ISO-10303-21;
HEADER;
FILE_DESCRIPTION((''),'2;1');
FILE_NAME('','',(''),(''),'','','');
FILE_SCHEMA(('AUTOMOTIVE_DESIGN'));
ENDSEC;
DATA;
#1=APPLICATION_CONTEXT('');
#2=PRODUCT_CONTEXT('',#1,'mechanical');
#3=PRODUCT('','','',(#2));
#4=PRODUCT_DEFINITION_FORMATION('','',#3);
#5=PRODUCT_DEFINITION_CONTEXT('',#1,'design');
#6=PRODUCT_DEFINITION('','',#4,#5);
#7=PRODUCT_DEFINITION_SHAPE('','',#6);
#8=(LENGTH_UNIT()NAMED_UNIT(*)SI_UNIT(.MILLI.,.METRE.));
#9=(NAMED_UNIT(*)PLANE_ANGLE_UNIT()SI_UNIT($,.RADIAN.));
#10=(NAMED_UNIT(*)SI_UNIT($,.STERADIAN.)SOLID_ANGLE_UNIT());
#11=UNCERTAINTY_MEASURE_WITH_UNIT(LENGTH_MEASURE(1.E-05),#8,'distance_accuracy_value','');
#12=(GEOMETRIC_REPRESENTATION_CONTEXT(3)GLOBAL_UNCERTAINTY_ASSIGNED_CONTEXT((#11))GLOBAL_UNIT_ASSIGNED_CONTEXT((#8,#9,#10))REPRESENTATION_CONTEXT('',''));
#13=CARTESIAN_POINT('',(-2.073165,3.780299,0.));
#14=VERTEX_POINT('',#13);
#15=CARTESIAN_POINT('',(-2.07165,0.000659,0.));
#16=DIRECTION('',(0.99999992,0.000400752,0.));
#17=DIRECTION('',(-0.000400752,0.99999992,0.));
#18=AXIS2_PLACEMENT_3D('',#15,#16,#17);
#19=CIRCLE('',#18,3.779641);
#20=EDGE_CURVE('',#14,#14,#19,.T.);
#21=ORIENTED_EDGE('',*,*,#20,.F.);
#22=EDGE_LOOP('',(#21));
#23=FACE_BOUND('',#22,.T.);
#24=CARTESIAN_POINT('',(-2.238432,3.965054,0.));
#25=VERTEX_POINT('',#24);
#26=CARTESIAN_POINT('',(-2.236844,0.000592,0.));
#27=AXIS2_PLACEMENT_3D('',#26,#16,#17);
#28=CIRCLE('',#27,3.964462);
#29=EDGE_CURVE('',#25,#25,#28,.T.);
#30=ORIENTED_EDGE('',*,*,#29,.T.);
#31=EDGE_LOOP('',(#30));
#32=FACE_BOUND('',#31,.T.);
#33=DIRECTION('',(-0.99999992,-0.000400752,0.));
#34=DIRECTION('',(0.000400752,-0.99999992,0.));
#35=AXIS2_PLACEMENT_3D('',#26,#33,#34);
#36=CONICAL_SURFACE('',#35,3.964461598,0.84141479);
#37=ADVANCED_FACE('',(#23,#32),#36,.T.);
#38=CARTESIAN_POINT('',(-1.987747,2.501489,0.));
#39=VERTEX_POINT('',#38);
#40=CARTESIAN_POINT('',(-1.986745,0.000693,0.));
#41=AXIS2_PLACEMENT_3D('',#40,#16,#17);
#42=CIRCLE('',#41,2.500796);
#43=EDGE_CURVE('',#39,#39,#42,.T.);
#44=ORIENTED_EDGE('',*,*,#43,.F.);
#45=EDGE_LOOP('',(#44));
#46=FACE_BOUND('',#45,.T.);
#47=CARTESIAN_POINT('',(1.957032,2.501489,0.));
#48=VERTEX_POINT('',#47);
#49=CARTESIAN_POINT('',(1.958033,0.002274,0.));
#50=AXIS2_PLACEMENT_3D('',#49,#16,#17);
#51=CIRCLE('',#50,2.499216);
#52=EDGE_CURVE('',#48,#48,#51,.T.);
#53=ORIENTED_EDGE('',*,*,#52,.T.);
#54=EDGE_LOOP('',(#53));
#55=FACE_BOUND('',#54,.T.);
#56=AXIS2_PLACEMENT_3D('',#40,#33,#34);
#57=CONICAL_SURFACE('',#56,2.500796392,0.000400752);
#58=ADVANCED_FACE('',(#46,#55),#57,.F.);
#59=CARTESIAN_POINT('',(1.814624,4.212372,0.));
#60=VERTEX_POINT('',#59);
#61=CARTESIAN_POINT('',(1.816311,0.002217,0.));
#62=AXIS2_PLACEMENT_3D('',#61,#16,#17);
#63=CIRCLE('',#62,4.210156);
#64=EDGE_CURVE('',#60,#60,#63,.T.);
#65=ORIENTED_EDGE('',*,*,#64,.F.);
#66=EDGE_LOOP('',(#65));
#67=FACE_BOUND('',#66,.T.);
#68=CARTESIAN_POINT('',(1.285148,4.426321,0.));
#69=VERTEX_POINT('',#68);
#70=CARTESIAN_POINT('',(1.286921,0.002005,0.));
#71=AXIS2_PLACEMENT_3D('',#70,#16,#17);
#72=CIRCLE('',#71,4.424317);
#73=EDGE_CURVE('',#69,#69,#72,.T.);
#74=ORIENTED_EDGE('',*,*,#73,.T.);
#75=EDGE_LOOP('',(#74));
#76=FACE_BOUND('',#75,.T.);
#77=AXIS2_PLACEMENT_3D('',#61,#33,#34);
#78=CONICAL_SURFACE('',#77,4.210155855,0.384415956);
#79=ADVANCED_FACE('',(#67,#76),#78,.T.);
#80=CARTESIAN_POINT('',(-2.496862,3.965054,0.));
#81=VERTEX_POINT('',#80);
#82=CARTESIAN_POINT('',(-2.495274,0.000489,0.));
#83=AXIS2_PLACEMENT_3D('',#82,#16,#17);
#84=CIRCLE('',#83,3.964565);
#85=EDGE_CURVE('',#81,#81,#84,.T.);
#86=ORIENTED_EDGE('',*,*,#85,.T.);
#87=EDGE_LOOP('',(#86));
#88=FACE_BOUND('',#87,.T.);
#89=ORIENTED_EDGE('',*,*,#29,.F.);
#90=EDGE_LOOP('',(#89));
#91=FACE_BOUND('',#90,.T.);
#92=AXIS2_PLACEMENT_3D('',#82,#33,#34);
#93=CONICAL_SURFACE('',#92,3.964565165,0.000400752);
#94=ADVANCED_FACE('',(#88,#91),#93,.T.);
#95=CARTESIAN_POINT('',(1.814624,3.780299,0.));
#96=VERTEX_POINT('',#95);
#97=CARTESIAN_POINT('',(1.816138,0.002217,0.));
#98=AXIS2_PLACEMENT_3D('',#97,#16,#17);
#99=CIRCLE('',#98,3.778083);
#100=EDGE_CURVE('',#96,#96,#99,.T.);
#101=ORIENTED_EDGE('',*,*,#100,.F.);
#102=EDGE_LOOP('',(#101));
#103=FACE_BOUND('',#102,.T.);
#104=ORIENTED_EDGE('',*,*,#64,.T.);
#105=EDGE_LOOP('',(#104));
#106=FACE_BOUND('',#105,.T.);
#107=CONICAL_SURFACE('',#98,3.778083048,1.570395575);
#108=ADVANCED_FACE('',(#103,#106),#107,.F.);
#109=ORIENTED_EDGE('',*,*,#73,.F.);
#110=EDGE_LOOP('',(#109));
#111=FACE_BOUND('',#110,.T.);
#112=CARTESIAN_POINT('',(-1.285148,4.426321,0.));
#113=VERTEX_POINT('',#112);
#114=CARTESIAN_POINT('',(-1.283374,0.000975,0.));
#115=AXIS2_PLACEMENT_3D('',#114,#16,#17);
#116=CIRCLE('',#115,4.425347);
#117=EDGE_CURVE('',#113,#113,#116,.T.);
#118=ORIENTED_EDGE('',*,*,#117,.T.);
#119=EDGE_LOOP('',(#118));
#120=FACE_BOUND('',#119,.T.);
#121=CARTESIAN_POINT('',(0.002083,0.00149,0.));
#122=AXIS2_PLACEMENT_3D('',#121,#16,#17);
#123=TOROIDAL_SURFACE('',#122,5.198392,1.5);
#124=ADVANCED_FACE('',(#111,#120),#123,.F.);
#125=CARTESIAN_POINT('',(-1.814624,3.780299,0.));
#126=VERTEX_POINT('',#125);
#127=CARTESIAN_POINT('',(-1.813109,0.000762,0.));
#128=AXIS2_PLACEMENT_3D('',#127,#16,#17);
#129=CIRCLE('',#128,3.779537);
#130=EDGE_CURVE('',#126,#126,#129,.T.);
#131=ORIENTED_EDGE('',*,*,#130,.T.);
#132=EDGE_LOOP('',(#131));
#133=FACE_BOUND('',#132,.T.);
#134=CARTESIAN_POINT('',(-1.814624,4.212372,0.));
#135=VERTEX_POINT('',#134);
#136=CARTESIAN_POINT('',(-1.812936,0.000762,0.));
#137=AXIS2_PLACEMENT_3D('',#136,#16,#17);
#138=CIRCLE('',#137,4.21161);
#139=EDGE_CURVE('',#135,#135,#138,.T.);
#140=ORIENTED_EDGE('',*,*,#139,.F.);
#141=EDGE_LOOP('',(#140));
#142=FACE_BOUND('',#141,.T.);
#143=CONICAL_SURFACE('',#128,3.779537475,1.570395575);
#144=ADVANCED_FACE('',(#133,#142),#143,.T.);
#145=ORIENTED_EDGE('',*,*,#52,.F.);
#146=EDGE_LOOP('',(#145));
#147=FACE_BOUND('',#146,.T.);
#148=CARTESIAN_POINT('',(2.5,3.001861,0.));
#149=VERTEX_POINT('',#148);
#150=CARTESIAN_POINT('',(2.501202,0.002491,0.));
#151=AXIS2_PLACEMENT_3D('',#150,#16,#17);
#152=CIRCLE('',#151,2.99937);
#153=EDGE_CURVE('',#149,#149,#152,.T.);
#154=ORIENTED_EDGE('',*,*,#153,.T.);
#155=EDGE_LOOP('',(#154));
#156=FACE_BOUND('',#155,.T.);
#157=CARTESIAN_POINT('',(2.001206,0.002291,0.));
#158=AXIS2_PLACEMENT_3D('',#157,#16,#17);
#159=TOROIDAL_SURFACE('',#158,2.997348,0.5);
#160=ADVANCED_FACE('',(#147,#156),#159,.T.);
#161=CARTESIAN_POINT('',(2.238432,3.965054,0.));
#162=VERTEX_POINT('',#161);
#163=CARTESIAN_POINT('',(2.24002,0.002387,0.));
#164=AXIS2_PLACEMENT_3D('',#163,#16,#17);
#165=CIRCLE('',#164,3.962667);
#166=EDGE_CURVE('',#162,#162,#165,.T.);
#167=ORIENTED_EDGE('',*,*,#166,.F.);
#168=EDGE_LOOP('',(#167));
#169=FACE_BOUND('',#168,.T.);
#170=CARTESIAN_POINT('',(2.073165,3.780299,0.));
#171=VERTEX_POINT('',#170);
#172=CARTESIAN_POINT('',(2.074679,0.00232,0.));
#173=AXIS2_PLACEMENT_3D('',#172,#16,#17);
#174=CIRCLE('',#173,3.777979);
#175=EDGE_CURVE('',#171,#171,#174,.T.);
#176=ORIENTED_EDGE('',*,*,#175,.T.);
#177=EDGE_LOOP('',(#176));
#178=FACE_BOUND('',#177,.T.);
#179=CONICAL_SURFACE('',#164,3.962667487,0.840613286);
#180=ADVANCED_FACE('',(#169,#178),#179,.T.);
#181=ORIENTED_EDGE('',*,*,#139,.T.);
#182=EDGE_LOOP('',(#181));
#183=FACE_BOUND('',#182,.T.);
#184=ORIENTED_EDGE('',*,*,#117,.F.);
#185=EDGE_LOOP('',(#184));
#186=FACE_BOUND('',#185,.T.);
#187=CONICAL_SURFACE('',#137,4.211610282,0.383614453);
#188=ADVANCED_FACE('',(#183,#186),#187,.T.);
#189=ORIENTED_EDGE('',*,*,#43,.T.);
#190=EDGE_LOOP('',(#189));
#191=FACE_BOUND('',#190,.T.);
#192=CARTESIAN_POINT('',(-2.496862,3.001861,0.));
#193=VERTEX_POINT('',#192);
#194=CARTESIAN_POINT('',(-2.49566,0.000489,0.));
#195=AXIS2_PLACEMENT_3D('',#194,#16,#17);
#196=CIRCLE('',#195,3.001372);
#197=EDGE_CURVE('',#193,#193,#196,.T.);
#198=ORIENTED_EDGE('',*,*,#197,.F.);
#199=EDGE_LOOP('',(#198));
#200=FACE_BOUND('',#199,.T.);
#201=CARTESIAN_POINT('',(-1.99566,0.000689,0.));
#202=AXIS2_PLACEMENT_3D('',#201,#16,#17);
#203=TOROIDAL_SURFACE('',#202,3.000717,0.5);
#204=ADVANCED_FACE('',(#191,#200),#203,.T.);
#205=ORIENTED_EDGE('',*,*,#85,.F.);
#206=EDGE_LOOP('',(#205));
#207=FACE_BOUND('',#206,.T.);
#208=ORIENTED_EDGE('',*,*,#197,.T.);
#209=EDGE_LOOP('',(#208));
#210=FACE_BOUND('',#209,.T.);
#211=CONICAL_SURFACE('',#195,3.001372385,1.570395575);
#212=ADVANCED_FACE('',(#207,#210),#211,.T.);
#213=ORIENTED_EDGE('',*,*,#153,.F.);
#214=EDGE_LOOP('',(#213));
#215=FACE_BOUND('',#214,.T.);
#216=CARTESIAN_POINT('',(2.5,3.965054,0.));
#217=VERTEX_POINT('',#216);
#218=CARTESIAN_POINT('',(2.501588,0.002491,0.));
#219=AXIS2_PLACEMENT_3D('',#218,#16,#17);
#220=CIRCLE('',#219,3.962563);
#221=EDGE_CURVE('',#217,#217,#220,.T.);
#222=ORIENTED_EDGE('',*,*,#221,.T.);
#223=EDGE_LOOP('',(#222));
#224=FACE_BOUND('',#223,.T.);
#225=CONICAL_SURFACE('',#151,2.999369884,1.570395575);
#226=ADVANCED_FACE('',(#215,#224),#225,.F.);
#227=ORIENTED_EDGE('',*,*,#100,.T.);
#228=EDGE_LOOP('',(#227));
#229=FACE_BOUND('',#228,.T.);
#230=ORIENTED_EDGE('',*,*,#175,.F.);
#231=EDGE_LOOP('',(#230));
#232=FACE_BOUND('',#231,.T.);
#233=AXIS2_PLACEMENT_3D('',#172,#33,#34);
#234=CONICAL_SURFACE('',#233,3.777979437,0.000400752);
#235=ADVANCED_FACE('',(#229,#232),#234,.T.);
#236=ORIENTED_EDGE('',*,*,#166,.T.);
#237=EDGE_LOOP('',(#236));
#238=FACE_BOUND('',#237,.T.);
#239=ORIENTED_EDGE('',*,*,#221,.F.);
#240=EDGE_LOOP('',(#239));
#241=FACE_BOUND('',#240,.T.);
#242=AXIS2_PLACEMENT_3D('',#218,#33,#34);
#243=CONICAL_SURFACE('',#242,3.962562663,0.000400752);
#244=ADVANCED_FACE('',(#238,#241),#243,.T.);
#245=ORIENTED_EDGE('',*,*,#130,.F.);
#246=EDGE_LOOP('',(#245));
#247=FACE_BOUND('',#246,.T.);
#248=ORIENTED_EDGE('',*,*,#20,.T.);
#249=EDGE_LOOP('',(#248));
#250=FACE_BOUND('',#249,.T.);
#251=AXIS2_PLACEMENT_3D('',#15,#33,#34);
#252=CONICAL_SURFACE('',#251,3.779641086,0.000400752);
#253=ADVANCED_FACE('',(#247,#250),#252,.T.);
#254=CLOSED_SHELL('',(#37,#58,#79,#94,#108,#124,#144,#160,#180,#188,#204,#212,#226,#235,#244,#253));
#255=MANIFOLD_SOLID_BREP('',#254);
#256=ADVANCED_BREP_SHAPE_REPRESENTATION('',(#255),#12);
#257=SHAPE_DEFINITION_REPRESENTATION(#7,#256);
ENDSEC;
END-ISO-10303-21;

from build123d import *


with BuildPart() as part:
    # Esboço1 → Revolução1 (revolve)
    with BuildSketch(Plane.XY):
        with BuildLine():
            Line((-1.987746966, 2.501488878), (1.957031844, 2.501488878))
            ThreePointArc((1.957031844, 2.501488878), (2.338841632, 2.631957255), (2.5, 3.001860882))
            Line((2.5, 3.001860882), (2.5, 3.965053738))
            Line((2.5, 3.965053738), (2.23843243, 3.965053738))
            Line((2.23843243, 3.965053738), (2.073164994, 3.780299443))
            Line((2.073164994, 3.780299443), (1.814623731, 3.780299443))
            Line((1.814623731, 3.780299443), (1.814623731, 4.212372284))
            Line((1.814623731, 4.212372284), (1.285147612, 4.426320864))
            ThreePointArc((1.285147612, 4.426320864), (0, 3.699881214), (-1.285147612, 4.426320864))
            Line((-1.285147612, 4.426320864), (-1.814623731, 4.212372284))
            Line((-1.814623731, 4.212372284), (-1.814623731, 3.780299443))
            Line((-1.814623731, 3.780299443), (-2.073164994, 3.780299443))
            Line((-2.073164994, 3.780299443), (-2.23843243, 3.965053738))
            Line((-2.23843243, 3.965053738), (-2.496862345, 3.965053738))
            Line((-2.496862345, 3.965053738), (-2.496862345, 3.001860882))
            ThreePointArc((-2.496862345, 3.001860882), (-2.347340579, 2.644803585), (-1.987746966, 2.501488878))
        make_face()
    revolve(axis=Axis((0, 0.001488878, 0), (-0.9999999196990055, -0.000400751771926105, 0)))


solid = part.part
